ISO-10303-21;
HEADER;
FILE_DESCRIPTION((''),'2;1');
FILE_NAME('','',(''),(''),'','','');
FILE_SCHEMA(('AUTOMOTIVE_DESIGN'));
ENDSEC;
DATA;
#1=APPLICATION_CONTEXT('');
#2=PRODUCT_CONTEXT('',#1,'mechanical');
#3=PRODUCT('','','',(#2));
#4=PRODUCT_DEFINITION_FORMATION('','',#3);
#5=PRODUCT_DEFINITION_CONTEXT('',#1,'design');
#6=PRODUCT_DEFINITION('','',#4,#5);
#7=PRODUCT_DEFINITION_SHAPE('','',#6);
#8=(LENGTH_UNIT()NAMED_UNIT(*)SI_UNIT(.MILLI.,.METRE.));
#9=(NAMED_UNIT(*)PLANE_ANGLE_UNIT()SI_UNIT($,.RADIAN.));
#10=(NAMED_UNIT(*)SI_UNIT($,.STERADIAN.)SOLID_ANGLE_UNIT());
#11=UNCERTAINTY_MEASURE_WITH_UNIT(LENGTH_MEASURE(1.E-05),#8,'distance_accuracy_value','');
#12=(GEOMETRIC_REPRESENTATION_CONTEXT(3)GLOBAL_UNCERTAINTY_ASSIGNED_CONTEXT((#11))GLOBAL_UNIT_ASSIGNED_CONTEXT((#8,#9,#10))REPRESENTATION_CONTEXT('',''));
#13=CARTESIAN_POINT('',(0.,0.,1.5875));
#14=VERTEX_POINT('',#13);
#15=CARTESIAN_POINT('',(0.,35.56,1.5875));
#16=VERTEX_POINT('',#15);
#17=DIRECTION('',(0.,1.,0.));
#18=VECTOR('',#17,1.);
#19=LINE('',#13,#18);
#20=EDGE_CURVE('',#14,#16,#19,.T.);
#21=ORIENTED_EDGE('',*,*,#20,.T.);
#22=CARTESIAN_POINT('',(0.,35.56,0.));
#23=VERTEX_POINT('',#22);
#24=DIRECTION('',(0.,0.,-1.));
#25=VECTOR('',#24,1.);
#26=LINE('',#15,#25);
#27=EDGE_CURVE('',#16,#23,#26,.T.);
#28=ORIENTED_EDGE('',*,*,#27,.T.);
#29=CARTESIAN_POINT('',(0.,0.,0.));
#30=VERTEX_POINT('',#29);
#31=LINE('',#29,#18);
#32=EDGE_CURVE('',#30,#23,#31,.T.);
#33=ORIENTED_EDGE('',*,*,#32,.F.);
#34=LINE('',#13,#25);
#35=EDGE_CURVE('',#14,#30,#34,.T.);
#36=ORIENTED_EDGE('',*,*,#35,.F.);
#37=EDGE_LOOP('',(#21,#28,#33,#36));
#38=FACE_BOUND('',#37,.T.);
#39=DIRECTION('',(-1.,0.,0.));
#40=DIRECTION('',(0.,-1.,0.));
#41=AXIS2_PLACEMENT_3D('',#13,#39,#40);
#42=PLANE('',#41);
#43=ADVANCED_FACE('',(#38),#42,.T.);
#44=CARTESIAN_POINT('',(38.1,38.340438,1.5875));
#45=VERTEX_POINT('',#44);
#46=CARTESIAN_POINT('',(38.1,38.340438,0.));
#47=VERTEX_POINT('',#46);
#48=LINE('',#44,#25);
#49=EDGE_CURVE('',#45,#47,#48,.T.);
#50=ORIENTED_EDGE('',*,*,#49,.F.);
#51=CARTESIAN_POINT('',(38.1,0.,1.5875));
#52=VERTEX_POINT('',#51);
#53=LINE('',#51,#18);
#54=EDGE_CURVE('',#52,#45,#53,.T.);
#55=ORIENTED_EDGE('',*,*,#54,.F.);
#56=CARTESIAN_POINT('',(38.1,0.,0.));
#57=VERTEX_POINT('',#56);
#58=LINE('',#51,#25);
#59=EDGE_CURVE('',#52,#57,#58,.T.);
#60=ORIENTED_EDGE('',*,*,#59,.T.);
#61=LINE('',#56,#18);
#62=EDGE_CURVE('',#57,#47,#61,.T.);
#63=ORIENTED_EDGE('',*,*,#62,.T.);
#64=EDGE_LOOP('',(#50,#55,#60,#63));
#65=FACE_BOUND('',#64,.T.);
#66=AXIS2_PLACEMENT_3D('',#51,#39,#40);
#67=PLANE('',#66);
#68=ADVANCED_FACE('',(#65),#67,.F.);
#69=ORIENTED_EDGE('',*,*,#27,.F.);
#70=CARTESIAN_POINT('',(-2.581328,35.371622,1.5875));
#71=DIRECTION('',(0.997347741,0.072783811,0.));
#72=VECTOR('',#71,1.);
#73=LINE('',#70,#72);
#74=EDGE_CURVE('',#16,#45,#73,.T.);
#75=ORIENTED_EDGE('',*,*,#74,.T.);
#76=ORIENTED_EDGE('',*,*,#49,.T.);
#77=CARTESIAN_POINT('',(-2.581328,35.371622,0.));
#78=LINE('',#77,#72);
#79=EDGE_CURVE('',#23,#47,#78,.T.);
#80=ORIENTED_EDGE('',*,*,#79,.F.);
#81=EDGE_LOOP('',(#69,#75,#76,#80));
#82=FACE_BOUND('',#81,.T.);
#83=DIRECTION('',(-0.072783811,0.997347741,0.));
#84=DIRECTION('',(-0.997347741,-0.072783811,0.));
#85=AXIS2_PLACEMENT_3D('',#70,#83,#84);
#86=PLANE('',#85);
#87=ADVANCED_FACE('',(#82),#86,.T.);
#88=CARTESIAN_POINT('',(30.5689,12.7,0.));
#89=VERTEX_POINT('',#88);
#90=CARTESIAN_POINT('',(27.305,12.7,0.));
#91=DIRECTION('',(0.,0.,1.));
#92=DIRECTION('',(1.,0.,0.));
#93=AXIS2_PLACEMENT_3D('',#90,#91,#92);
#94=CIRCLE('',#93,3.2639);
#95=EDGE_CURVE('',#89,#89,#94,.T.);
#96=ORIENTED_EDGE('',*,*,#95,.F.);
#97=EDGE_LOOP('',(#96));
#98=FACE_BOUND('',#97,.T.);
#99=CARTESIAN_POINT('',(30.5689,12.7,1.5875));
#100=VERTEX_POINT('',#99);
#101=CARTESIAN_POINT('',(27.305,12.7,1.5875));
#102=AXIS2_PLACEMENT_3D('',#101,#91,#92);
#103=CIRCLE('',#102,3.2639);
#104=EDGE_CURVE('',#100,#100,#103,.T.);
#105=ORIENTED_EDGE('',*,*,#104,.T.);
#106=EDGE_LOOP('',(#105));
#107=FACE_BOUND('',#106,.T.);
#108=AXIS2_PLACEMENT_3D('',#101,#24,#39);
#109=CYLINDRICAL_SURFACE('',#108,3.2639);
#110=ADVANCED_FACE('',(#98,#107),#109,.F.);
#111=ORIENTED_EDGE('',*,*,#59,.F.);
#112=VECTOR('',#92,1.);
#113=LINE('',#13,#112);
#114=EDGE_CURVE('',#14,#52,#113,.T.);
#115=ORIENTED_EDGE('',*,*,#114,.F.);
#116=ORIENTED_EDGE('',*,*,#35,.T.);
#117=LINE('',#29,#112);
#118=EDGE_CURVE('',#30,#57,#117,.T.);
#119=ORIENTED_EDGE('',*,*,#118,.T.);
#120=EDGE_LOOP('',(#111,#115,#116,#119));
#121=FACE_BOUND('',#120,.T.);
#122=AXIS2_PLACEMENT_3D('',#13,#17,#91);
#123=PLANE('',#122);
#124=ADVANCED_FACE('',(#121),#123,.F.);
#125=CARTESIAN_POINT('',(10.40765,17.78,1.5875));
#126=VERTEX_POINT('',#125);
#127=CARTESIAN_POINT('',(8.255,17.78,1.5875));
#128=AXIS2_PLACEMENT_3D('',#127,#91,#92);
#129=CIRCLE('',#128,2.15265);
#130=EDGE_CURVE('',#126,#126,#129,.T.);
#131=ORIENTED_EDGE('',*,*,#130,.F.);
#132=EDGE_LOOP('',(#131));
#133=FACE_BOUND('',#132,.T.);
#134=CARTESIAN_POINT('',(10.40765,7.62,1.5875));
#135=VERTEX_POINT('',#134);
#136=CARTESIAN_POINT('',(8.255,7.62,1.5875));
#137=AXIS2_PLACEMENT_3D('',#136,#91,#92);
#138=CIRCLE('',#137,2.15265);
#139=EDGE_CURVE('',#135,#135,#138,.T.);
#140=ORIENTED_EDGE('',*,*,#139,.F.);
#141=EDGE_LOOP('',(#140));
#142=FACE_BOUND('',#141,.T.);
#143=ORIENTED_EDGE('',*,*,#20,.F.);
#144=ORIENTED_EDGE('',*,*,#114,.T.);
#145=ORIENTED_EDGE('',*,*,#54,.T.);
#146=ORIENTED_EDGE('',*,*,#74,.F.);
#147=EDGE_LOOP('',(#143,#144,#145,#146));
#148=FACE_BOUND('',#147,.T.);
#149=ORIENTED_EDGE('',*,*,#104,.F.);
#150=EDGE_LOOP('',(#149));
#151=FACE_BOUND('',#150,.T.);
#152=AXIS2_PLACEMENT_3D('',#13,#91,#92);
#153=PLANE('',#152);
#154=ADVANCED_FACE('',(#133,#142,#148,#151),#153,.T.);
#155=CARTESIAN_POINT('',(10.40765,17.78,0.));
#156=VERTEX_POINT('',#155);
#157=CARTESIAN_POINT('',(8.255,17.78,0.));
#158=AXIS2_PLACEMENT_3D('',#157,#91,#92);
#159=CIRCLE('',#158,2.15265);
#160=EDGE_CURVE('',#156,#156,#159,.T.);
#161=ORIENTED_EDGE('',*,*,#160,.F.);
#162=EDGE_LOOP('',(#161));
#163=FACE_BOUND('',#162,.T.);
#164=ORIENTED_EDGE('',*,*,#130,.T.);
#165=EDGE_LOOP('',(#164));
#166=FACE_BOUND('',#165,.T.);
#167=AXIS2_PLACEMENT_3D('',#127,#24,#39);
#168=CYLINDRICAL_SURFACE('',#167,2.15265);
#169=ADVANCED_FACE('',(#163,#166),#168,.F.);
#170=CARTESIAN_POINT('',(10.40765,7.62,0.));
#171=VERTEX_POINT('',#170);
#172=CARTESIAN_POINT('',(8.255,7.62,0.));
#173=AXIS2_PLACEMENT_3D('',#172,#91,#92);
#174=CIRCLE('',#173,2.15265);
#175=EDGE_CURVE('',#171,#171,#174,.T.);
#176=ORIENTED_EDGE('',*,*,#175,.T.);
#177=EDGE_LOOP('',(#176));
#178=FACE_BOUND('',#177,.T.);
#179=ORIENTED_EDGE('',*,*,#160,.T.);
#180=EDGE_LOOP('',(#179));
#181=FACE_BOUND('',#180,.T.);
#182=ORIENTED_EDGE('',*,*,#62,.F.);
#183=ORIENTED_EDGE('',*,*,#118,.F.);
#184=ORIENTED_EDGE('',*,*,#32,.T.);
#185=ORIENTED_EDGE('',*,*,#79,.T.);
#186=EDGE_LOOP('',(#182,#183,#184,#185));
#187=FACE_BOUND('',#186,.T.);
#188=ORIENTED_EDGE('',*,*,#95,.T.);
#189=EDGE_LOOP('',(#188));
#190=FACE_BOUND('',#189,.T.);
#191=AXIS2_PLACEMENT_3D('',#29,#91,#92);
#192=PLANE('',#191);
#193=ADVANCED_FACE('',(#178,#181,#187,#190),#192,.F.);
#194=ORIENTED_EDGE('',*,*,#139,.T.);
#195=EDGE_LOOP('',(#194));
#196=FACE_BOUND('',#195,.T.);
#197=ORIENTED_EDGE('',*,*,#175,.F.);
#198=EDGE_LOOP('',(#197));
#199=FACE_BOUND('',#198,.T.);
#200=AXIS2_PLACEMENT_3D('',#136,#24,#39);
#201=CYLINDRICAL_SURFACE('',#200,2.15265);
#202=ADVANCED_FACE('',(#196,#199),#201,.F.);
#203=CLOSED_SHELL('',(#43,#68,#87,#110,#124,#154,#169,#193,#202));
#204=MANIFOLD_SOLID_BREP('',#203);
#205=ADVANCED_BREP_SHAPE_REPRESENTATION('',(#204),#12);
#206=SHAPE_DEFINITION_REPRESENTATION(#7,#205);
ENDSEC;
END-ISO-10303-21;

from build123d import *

# Parameters (mm, degrees)
SKETCH1_W           = 16.51
SKETCH1_H           = 25.4
SKETCH1_R           = 2.15265
SKETCH1_W_2         = 21.59
SKETCH1_R_2         = 3.2639
BOSS_EXTRUDE1_DEPTH = 1.5875


with BuildPart() as part:
    # Sketch1 → Boss-Extrude1 (new body)
    # profile 1 of 4: a face of its own
    with BuildSketch(Plane.XY):
        Polygon((0, 35.56), (0, 25.4), (16.51, 25.4), (38.1, 25.4), (38.1, 35.56), align=None)
    # profile 2 of 4: a face of its own
    with BuildSketch(Plane.XY):
        with Locations((8.255, 12.7)):
            Rectangle(SKETCH1_W, SKETCH1_H)
        with Locations((8.255, 7.62)):
            Circle(SKETCH1_R, mode=Mode.SUBTRACT)
        with Locations((8.255, 17.78)):
            Circle(SKETCH1_R, mode=Mode.SUBTRACT)
    # profile 3 of 4: a face of its own
    with BuildSketch(Plane.XY):
        with Locations((27.305, 12.7)):
            Rectangle(SKETCH1_W_2, SKETCH1_H)
        with Locations((27.305, 12.7)):
            Circle(SKETCH1_R_2, mode=Mode.SUBTRACT)
    # profile 4 of 4: a face of its own
    with BuildSketch(Plane.XY):
        Polygon((38.1, 38.34043763), (38.1, 35.56), (0, 35.56), align=None)
    extrude(amount=BOSS_EXTRUDE1_DEPTH)


solid = part.part
